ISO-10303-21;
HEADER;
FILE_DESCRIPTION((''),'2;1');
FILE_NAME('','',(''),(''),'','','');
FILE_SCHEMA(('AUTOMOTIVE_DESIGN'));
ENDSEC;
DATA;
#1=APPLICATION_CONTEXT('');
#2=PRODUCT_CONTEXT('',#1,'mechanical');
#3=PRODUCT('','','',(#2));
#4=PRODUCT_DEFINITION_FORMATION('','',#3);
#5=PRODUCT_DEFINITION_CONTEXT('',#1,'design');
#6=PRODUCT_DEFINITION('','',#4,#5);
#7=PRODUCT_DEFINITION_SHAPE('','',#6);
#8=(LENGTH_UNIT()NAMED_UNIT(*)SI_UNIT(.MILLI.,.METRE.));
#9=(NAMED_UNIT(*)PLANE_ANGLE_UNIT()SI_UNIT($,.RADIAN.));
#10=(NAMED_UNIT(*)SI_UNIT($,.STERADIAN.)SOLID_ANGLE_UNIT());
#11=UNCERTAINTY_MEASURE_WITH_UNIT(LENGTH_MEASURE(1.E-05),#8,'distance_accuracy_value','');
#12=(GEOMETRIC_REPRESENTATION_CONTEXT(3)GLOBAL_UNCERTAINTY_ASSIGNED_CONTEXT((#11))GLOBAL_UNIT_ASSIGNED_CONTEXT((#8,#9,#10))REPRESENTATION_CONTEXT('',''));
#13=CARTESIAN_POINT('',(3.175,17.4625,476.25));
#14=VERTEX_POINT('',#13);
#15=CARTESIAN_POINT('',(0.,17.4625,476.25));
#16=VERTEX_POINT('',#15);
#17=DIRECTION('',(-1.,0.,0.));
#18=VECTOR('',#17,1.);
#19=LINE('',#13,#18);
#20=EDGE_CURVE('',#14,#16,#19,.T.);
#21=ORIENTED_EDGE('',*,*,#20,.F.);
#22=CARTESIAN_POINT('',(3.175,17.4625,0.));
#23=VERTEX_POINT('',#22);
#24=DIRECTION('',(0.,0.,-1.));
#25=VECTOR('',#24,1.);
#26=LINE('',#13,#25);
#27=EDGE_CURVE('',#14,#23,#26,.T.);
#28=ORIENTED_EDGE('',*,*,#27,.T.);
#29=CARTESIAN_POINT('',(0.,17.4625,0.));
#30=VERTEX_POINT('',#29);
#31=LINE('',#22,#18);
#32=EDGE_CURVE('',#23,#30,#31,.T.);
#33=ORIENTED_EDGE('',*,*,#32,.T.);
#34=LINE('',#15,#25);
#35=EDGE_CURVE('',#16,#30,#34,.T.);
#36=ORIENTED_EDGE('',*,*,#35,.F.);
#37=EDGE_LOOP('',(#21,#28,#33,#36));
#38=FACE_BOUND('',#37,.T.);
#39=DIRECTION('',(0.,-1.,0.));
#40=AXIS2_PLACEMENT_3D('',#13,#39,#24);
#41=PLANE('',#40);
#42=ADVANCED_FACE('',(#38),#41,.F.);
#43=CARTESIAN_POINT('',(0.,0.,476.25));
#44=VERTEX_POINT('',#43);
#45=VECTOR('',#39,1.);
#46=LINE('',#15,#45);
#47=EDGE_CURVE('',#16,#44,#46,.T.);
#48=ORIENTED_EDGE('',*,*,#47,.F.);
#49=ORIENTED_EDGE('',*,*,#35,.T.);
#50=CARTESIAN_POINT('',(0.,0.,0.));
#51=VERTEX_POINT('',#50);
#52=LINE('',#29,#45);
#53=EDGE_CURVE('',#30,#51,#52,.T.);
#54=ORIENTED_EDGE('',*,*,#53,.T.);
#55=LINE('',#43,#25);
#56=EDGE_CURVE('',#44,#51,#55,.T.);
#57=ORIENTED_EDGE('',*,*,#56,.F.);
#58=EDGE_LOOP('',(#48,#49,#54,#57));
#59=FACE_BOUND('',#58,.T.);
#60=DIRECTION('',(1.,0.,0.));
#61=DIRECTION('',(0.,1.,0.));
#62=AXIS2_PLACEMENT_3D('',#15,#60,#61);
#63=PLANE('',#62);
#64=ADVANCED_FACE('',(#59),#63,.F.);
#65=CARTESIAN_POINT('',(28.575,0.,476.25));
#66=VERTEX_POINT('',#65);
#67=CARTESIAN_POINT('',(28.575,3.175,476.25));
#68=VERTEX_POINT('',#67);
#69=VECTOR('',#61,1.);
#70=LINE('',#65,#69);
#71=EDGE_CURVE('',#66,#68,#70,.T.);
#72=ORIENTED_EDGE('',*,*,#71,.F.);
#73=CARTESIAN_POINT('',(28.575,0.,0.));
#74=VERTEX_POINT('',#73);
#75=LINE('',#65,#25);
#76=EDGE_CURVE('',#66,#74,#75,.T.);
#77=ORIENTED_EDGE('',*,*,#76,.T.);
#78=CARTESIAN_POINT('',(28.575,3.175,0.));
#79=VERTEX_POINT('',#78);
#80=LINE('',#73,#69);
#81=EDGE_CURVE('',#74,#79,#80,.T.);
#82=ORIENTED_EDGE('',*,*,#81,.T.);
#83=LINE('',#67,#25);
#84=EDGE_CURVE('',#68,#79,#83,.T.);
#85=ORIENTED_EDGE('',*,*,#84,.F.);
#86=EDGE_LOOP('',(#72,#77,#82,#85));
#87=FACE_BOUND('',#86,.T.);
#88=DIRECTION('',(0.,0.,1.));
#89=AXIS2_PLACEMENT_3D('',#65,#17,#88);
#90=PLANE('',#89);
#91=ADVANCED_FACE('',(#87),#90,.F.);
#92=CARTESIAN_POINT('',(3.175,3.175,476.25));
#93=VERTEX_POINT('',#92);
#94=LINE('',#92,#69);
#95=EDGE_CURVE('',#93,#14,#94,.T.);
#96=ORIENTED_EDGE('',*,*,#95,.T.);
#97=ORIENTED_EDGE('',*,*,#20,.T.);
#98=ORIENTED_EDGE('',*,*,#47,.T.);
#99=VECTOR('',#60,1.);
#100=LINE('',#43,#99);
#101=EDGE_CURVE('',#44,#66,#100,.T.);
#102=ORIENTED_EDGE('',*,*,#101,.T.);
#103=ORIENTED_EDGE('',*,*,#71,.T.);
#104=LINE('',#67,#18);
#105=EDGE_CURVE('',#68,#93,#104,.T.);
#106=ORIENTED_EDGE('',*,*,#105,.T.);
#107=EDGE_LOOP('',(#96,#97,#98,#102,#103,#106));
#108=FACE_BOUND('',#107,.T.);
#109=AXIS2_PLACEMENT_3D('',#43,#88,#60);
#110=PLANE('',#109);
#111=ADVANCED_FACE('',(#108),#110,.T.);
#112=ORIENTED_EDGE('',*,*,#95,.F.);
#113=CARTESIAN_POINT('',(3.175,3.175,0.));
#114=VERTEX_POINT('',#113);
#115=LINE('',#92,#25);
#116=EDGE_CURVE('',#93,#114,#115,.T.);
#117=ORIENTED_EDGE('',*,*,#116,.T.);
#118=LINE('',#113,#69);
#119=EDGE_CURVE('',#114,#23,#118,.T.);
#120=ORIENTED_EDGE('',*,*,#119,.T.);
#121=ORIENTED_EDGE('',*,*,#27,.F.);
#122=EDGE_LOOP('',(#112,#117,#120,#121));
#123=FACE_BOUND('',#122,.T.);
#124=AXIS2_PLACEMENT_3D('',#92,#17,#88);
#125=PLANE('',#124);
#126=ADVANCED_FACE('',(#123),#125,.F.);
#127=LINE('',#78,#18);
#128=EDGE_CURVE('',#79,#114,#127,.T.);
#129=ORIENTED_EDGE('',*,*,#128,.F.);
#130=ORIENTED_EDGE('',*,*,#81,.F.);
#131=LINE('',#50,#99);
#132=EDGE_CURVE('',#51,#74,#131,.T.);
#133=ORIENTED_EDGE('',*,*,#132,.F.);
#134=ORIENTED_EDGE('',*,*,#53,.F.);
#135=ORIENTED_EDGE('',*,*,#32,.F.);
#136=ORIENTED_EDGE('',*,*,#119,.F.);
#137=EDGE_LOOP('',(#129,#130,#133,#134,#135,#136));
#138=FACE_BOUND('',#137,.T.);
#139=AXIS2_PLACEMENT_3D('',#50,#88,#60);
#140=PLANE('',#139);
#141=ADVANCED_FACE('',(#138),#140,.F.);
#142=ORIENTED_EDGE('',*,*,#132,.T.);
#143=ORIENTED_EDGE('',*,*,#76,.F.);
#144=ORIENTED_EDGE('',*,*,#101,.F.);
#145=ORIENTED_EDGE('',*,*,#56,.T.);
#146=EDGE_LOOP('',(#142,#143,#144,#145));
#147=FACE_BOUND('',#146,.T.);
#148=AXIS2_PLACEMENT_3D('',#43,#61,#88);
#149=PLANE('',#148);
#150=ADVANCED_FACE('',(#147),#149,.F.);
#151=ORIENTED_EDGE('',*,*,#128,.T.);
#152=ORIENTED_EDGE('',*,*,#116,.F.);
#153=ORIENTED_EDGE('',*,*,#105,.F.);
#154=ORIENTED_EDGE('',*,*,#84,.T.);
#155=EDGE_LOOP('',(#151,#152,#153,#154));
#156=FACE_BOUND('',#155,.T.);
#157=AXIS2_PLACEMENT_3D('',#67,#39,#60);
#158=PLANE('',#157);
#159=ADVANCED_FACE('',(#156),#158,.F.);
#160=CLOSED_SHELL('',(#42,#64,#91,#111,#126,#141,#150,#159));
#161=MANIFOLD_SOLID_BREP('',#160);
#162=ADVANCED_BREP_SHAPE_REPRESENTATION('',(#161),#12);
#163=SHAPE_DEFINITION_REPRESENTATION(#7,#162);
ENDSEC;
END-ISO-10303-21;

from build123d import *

# Parameters (mm, degrees)
BOSS_EXTRUDE1_DEPTH = 476.25


with BuildPart() as part:
    # Sketch1 → Boss-Extrude1 (new body)
    with BuildSketch(Plane.XY):
        Polygon((0, 17.4625), (0, 0), (28.575, 0), (28.575, 3.175), (3.175, 3.175), (3.175, 17.4625), align=None)
    extrude(amount=BOSS_EXTRUDE1_DEPTH)


solid = part.part
